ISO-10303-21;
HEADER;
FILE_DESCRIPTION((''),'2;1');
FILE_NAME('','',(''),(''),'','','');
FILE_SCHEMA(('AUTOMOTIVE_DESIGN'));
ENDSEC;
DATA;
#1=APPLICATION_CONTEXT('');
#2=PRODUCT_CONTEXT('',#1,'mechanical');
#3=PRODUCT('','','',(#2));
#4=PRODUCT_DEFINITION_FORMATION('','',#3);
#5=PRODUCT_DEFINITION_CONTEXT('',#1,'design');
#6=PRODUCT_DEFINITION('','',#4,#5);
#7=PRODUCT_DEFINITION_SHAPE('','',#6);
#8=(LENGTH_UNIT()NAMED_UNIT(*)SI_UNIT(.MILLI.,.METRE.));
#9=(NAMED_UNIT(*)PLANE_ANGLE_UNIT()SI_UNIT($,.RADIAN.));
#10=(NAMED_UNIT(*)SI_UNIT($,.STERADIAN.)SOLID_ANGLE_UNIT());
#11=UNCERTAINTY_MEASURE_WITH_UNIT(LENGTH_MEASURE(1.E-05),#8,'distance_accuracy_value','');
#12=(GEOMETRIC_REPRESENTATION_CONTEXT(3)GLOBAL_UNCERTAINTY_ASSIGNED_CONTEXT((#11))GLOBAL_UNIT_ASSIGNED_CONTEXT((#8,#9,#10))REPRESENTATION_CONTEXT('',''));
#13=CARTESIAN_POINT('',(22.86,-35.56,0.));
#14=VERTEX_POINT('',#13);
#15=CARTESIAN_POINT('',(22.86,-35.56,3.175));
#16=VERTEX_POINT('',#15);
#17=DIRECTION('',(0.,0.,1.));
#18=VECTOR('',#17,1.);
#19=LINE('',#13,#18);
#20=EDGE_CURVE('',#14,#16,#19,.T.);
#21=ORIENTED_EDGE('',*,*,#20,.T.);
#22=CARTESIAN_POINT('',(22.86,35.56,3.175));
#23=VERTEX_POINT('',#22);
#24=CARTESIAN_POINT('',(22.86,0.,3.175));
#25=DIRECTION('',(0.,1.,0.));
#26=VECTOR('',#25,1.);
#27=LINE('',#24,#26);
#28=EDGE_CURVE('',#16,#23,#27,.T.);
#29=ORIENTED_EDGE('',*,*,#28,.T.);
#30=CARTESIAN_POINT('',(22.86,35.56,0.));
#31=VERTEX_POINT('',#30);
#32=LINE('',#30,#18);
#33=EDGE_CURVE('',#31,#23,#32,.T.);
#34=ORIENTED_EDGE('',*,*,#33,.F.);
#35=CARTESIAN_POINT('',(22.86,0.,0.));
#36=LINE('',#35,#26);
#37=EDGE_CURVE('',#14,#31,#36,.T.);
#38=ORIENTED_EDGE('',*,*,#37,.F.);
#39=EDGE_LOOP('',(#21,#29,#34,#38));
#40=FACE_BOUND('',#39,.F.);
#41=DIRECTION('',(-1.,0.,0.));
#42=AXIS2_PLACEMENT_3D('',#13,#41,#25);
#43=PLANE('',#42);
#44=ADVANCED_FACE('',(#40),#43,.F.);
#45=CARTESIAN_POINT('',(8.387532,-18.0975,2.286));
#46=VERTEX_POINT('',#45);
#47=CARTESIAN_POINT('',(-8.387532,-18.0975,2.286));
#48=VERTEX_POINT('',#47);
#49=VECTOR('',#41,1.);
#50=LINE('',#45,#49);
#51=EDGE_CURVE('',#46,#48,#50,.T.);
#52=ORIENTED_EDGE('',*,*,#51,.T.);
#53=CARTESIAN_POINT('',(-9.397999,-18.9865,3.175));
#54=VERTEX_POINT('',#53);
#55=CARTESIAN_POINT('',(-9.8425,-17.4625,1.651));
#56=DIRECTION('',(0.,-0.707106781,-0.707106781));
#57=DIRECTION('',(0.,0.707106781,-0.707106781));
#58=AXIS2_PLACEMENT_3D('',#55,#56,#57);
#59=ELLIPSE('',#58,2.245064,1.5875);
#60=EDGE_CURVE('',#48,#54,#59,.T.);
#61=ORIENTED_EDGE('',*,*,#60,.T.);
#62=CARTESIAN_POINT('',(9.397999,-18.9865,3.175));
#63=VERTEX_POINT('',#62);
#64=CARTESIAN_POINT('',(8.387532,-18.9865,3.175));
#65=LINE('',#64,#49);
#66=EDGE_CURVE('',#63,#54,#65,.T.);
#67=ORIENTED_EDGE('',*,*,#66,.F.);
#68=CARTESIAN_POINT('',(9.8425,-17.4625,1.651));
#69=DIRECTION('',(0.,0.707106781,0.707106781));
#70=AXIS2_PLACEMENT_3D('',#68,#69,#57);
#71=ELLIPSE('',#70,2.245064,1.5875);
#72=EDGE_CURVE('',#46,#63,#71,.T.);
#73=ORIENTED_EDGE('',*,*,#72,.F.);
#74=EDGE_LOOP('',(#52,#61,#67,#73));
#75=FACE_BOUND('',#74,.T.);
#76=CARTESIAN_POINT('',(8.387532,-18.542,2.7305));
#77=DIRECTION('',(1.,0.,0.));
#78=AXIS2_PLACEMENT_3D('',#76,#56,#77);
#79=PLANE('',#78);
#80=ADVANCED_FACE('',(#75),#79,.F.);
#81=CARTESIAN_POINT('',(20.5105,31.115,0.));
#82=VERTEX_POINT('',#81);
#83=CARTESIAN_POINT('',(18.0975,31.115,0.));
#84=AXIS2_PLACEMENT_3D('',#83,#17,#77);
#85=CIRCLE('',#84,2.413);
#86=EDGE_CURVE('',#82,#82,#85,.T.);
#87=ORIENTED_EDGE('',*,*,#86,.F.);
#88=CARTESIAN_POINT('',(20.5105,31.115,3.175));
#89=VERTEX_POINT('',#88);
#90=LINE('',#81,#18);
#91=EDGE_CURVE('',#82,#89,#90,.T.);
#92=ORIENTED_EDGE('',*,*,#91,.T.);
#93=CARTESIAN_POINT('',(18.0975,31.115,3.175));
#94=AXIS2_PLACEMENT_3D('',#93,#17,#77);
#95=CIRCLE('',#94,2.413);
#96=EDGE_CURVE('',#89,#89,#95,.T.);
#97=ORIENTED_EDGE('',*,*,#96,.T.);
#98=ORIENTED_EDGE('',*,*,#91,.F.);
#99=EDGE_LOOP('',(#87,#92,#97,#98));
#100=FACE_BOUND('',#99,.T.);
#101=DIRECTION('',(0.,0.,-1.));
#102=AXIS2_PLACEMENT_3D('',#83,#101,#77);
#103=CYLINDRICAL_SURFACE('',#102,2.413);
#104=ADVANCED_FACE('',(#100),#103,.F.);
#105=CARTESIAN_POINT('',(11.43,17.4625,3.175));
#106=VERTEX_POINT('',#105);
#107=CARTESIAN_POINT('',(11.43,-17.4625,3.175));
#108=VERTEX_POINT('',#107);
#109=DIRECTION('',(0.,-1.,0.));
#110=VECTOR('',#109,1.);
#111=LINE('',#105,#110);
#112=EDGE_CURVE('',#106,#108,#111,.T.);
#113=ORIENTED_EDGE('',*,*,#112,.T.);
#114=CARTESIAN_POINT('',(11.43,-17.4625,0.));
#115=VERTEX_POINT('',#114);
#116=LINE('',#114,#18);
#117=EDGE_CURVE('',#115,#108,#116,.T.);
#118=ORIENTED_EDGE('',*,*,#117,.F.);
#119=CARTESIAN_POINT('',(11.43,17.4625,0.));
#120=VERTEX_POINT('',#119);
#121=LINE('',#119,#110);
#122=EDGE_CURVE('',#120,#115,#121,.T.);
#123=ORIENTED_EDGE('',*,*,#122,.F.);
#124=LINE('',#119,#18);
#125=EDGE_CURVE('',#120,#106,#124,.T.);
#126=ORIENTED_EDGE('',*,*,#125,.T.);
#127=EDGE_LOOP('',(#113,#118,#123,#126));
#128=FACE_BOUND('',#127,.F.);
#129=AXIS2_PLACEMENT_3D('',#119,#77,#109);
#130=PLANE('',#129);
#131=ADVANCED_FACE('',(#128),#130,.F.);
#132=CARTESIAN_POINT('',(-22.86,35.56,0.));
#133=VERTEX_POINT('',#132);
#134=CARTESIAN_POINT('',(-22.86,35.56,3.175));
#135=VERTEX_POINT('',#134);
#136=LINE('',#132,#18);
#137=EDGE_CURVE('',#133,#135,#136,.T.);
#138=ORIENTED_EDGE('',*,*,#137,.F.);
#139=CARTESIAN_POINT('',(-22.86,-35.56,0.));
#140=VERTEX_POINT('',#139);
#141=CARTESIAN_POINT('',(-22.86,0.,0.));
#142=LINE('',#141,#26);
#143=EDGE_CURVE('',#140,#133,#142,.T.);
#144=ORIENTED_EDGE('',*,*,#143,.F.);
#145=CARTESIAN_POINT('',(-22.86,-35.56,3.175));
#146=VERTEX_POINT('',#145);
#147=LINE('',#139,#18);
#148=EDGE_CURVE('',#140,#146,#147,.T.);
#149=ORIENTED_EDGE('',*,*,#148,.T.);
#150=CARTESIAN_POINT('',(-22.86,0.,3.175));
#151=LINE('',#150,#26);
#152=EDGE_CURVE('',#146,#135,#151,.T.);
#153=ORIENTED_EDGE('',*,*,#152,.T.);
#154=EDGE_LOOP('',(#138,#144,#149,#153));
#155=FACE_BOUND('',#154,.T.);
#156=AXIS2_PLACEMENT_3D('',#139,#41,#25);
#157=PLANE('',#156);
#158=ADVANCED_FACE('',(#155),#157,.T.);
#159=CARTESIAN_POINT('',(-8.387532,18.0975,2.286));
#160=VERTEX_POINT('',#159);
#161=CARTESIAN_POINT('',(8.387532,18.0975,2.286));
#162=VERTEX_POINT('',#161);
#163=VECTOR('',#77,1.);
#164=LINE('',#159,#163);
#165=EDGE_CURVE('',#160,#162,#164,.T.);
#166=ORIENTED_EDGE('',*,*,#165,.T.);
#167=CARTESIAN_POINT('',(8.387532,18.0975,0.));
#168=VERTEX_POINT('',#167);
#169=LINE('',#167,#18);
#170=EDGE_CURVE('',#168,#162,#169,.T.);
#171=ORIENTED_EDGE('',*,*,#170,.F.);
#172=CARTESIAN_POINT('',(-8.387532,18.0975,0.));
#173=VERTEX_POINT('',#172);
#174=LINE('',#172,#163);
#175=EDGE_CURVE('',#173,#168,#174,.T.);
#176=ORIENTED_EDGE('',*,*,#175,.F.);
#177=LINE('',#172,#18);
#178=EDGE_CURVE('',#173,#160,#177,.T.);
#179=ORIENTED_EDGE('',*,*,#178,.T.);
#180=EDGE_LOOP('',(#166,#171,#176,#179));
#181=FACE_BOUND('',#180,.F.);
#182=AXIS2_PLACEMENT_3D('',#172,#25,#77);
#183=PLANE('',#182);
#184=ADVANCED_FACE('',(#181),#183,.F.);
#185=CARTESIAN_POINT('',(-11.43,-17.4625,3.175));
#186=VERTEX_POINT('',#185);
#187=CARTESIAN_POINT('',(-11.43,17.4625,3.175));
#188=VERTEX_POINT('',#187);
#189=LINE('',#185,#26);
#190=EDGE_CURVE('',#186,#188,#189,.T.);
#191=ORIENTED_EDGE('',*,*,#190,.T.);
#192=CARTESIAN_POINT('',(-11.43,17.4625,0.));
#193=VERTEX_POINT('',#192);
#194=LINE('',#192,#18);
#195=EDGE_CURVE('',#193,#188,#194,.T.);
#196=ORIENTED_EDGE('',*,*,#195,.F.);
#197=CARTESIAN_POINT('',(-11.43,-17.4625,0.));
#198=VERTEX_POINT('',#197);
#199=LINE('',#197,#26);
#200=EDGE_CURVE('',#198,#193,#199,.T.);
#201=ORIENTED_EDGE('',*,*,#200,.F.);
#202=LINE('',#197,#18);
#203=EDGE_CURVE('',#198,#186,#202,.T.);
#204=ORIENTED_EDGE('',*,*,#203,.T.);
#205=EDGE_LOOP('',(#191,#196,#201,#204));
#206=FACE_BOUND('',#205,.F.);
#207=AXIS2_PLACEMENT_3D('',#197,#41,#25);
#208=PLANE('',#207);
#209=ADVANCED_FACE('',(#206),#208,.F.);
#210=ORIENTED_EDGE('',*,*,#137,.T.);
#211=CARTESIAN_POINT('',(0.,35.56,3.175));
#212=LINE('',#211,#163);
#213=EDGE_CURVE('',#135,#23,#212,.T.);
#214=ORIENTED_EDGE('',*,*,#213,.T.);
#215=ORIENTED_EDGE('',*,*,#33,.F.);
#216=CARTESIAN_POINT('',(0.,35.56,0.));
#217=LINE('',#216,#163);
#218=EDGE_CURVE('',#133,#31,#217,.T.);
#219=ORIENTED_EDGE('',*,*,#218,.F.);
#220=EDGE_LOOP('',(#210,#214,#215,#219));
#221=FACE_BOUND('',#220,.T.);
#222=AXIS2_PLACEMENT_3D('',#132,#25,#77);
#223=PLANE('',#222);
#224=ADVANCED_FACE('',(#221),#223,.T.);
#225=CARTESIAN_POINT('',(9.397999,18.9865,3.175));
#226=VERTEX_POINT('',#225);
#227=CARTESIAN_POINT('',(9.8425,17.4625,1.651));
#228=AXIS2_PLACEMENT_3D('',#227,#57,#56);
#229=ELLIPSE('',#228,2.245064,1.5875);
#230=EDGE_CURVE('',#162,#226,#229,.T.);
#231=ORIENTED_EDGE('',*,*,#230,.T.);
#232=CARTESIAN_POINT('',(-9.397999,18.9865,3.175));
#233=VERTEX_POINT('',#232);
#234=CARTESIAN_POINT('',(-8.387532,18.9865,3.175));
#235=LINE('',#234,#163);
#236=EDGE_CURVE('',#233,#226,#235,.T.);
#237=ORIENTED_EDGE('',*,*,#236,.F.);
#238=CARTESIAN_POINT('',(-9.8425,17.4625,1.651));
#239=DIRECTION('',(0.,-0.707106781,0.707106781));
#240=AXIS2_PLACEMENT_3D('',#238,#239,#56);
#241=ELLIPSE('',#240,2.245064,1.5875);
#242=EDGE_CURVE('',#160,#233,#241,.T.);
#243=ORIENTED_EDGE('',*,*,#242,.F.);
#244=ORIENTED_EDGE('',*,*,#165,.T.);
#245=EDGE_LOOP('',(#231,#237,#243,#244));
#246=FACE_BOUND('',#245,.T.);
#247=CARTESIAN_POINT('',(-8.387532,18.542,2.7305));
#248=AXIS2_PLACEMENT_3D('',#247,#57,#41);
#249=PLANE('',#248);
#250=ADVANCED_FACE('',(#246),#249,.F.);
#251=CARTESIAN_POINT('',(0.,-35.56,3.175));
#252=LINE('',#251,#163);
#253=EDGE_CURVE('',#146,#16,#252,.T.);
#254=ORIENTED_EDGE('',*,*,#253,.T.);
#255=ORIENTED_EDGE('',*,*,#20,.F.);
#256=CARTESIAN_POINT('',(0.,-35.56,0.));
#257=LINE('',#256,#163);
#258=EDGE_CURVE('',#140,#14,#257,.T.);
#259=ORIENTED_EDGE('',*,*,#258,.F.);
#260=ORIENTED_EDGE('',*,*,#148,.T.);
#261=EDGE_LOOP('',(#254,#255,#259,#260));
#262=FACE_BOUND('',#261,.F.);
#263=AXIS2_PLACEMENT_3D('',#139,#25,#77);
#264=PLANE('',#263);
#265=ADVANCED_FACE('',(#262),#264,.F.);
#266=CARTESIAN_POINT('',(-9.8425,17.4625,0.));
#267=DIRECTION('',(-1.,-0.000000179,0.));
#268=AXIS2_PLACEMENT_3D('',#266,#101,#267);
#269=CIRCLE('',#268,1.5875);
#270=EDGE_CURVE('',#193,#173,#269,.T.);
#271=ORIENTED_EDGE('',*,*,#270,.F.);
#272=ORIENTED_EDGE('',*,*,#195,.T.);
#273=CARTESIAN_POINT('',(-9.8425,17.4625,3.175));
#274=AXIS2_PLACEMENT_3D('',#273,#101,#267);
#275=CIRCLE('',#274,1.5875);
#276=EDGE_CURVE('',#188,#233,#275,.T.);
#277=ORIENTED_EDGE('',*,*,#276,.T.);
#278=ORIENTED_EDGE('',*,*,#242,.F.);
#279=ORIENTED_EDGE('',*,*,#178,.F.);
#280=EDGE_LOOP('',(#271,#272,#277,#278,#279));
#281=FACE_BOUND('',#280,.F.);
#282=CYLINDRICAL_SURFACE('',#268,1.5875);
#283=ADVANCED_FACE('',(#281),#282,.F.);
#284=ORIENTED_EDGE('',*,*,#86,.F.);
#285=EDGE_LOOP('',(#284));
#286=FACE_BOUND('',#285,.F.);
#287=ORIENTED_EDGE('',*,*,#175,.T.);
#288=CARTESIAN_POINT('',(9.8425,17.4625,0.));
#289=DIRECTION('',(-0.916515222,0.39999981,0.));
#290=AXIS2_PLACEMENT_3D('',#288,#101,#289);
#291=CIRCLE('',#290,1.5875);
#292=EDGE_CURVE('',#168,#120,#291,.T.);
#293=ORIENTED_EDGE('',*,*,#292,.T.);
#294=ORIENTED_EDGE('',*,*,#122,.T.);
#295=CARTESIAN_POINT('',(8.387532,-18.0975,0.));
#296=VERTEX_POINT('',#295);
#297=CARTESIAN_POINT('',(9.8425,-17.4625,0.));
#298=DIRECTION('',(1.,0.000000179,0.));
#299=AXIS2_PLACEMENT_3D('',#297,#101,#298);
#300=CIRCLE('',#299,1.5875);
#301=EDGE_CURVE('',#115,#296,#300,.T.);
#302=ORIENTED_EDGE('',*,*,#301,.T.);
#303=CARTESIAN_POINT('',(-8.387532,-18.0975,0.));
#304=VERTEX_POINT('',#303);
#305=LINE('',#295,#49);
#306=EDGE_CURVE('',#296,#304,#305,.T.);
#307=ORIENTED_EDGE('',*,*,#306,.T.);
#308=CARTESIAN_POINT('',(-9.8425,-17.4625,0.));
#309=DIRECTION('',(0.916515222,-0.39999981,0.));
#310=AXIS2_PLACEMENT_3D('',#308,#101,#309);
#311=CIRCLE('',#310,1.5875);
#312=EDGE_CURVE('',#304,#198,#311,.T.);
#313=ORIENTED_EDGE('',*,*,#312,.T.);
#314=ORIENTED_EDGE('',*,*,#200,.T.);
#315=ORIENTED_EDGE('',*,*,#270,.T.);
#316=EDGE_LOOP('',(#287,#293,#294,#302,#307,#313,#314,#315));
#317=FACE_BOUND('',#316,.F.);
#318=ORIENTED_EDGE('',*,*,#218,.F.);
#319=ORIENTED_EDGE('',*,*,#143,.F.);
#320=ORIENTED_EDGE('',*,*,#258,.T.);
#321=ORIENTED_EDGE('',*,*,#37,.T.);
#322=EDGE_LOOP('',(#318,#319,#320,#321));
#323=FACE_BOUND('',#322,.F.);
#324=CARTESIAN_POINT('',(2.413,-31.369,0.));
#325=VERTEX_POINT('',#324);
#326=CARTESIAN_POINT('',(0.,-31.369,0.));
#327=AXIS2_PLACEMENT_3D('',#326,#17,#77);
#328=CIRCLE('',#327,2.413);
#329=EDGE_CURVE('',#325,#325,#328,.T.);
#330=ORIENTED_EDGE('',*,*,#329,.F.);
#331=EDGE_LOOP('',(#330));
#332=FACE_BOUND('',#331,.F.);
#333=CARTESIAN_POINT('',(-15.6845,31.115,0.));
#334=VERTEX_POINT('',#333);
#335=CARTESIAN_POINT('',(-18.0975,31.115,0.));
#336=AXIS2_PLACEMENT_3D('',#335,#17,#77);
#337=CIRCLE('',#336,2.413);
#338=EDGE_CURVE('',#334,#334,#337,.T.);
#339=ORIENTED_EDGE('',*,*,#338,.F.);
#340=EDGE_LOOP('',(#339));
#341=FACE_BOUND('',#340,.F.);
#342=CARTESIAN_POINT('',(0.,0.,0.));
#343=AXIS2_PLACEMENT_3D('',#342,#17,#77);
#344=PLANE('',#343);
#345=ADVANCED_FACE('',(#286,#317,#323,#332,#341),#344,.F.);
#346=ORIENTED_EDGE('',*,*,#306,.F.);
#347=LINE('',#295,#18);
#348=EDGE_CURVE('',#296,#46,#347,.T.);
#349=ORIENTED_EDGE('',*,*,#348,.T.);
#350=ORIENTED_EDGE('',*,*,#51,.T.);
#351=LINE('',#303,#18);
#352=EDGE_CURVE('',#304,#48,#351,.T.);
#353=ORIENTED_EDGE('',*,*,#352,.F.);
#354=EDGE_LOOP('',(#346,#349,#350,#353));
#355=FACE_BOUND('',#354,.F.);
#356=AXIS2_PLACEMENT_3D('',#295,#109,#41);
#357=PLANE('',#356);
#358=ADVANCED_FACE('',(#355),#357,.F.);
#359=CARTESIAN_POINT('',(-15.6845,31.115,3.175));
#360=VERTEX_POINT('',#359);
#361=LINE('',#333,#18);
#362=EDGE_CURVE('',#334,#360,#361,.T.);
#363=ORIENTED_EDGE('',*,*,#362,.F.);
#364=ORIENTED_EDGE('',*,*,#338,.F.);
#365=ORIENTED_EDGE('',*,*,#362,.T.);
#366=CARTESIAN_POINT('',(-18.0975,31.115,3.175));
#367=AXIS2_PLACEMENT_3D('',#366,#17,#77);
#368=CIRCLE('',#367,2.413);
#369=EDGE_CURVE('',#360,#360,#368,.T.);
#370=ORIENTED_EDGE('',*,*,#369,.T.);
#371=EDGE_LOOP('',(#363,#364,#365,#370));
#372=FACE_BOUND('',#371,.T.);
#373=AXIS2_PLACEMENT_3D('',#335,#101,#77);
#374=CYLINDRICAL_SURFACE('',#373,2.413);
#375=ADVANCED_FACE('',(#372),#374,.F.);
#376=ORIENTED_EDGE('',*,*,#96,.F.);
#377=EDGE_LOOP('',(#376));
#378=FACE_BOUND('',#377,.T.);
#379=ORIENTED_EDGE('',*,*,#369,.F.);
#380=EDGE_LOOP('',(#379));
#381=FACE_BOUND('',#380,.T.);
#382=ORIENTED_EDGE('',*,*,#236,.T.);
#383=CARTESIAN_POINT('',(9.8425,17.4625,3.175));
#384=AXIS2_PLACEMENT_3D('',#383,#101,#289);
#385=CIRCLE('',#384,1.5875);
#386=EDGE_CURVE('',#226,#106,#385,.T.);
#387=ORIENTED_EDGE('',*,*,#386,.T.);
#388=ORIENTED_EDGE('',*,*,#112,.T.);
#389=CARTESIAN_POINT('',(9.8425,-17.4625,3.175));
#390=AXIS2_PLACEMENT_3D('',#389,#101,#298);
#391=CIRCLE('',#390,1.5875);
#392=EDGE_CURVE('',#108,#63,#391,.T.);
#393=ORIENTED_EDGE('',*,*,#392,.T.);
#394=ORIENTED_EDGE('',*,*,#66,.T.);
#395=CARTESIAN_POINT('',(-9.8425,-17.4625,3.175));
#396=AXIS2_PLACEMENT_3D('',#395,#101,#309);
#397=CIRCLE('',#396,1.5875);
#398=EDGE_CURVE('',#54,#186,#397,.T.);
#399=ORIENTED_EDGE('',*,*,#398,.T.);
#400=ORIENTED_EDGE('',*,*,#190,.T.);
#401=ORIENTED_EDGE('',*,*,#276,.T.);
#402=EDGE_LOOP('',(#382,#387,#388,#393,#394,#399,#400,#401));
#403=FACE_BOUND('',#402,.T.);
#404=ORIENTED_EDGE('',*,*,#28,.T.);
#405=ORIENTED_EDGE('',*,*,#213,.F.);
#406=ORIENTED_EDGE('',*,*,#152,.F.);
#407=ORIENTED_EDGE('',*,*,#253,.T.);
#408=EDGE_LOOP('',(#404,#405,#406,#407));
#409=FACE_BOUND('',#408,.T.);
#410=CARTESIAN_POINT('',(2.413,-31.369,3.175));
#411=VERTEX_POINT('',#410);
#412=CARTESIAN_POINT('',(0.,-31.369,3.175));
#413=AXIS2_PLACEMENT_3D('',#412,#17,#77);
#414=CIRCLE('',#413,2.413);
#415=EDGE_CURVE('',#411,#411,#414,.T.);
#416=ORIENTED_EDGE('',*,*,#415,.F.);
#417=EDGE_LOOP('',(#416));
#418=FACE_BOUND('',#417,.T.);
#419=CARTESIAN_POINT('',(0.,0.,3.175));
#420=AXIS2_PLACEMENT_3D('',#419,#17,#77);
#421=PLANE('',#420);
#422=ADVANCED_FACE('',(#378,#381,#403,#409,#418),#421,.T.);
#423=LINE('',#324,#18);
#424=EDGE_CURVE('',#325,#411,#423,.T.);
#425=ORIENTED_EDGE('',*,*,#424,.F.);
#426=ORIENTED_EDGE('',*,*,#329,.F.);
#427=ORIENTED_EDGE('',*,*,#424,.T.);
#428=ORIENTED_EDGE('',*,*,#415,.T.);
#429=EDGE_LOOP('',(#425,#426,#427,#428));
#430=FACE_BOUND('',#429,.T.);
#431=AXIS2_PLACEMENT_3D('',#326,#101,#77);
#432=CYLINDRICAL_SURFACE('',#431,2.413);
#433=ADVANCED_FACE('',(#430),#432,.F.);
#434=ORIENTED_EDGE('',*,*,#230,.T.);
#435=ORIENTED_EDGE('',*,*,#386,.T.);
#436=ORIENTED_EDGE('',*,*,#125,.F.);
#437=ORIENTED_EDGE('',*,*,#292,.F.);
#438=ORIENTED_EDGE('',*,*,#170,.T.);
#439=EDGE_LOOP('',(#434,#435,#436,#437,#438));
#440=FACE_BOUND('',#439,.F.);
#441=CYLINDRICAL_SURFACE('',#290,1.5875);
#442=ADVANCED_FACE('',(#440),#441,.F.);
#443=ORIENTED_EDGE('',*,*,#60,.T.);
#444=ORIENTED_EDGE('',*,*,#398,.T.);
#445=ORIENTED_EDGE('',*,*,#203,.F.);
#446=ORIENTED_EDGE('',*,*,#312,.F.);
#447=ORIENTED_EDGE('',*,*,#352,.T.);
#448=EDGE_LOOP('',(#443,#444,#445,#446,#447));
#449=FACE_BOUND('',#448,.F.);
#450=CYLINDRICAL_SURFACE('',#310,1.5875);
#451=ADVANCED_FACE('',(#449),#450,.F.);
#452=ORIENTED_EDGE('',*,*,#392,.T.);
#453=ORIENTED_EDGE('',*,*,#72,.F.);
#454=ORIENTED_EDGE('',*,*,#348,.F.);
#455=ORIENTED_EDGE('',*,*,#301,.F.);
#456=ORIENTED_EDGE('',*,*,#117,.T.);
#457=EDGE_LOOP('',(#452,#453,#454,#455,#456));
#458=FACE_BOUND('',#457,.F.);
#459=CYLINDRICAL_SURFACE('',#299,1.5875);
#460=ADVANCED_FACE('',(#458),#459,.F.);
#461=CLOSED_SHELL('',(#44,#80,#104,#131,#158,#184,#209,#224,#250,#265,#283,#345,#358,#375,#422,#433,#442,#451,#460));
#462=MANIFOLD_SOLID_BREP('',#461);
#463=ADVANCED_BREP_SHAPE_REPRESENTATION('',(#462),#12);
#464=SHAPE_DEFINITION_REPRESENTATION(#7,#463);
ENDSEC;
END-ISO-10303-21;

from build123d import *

# Parameters (mm, degrees)
F0_W     = 45.72
F0_H     = 71.12
F0_R     = 2.413
F1_DEPTH = 3.175
F2_SIZE  = 0.889


with BuildPart() as f1:
    # F0 (on Top) → F1 (new body)
    with BuildSketch(Plane.XY):
        Rectangle(F0_W, F0_H)
        with Locations((0, -31.369)):
            Circle(F0_R, mode=Mode.SUBTRACT)
        with BuildLine():
            ThreePointArc((11.43, -17.4625), (10.166842, -19.016514), (8.387532, -18.0975))
            Line((8.387532, -18.0975), (-8.387532, -18.0975))
            ThreePointArc((-8.387532, -18.0975), (-10.166842, -19.016514), (-11.43, -17.4625))
            Line((-11.43, -17.4625), (-11.43, 17.4625))
            ThreePointArc((-11.43, 17.4625), (-10.166842, 19.016514), (-8.387532, 18.0975))
            Line((-8.387532, 18.0975), (8.387532, 18.0975))
            ThreePointArc((8.387532, 18.0975), (10.166842, 19.016514), (11.43, 17.4625))
            Line((11.43, 17.4625), (11.43, -17.4625))
        make_face(mode=Mode.SUBTRACT)
        with Locations((-18.0975, 31.115)):
            Circle(F0_R, mode=Mode.SUBTRACT)
        with Locations((18.0975, 31.115)):
            Circle(F0_R, mode=Mode.SUBTRACT)
    extrude(amount=F1_DEPTH)

    # F2
    f2_edges = [f1.edges().sort_by_distance(p)[0] for p in [
        (0, 18.0975, 3.175),
        (0, -18.0975, 3.175),
    ]]
    chamfer(f2_edges, length=F2_SIZE)


solid = f1.part
